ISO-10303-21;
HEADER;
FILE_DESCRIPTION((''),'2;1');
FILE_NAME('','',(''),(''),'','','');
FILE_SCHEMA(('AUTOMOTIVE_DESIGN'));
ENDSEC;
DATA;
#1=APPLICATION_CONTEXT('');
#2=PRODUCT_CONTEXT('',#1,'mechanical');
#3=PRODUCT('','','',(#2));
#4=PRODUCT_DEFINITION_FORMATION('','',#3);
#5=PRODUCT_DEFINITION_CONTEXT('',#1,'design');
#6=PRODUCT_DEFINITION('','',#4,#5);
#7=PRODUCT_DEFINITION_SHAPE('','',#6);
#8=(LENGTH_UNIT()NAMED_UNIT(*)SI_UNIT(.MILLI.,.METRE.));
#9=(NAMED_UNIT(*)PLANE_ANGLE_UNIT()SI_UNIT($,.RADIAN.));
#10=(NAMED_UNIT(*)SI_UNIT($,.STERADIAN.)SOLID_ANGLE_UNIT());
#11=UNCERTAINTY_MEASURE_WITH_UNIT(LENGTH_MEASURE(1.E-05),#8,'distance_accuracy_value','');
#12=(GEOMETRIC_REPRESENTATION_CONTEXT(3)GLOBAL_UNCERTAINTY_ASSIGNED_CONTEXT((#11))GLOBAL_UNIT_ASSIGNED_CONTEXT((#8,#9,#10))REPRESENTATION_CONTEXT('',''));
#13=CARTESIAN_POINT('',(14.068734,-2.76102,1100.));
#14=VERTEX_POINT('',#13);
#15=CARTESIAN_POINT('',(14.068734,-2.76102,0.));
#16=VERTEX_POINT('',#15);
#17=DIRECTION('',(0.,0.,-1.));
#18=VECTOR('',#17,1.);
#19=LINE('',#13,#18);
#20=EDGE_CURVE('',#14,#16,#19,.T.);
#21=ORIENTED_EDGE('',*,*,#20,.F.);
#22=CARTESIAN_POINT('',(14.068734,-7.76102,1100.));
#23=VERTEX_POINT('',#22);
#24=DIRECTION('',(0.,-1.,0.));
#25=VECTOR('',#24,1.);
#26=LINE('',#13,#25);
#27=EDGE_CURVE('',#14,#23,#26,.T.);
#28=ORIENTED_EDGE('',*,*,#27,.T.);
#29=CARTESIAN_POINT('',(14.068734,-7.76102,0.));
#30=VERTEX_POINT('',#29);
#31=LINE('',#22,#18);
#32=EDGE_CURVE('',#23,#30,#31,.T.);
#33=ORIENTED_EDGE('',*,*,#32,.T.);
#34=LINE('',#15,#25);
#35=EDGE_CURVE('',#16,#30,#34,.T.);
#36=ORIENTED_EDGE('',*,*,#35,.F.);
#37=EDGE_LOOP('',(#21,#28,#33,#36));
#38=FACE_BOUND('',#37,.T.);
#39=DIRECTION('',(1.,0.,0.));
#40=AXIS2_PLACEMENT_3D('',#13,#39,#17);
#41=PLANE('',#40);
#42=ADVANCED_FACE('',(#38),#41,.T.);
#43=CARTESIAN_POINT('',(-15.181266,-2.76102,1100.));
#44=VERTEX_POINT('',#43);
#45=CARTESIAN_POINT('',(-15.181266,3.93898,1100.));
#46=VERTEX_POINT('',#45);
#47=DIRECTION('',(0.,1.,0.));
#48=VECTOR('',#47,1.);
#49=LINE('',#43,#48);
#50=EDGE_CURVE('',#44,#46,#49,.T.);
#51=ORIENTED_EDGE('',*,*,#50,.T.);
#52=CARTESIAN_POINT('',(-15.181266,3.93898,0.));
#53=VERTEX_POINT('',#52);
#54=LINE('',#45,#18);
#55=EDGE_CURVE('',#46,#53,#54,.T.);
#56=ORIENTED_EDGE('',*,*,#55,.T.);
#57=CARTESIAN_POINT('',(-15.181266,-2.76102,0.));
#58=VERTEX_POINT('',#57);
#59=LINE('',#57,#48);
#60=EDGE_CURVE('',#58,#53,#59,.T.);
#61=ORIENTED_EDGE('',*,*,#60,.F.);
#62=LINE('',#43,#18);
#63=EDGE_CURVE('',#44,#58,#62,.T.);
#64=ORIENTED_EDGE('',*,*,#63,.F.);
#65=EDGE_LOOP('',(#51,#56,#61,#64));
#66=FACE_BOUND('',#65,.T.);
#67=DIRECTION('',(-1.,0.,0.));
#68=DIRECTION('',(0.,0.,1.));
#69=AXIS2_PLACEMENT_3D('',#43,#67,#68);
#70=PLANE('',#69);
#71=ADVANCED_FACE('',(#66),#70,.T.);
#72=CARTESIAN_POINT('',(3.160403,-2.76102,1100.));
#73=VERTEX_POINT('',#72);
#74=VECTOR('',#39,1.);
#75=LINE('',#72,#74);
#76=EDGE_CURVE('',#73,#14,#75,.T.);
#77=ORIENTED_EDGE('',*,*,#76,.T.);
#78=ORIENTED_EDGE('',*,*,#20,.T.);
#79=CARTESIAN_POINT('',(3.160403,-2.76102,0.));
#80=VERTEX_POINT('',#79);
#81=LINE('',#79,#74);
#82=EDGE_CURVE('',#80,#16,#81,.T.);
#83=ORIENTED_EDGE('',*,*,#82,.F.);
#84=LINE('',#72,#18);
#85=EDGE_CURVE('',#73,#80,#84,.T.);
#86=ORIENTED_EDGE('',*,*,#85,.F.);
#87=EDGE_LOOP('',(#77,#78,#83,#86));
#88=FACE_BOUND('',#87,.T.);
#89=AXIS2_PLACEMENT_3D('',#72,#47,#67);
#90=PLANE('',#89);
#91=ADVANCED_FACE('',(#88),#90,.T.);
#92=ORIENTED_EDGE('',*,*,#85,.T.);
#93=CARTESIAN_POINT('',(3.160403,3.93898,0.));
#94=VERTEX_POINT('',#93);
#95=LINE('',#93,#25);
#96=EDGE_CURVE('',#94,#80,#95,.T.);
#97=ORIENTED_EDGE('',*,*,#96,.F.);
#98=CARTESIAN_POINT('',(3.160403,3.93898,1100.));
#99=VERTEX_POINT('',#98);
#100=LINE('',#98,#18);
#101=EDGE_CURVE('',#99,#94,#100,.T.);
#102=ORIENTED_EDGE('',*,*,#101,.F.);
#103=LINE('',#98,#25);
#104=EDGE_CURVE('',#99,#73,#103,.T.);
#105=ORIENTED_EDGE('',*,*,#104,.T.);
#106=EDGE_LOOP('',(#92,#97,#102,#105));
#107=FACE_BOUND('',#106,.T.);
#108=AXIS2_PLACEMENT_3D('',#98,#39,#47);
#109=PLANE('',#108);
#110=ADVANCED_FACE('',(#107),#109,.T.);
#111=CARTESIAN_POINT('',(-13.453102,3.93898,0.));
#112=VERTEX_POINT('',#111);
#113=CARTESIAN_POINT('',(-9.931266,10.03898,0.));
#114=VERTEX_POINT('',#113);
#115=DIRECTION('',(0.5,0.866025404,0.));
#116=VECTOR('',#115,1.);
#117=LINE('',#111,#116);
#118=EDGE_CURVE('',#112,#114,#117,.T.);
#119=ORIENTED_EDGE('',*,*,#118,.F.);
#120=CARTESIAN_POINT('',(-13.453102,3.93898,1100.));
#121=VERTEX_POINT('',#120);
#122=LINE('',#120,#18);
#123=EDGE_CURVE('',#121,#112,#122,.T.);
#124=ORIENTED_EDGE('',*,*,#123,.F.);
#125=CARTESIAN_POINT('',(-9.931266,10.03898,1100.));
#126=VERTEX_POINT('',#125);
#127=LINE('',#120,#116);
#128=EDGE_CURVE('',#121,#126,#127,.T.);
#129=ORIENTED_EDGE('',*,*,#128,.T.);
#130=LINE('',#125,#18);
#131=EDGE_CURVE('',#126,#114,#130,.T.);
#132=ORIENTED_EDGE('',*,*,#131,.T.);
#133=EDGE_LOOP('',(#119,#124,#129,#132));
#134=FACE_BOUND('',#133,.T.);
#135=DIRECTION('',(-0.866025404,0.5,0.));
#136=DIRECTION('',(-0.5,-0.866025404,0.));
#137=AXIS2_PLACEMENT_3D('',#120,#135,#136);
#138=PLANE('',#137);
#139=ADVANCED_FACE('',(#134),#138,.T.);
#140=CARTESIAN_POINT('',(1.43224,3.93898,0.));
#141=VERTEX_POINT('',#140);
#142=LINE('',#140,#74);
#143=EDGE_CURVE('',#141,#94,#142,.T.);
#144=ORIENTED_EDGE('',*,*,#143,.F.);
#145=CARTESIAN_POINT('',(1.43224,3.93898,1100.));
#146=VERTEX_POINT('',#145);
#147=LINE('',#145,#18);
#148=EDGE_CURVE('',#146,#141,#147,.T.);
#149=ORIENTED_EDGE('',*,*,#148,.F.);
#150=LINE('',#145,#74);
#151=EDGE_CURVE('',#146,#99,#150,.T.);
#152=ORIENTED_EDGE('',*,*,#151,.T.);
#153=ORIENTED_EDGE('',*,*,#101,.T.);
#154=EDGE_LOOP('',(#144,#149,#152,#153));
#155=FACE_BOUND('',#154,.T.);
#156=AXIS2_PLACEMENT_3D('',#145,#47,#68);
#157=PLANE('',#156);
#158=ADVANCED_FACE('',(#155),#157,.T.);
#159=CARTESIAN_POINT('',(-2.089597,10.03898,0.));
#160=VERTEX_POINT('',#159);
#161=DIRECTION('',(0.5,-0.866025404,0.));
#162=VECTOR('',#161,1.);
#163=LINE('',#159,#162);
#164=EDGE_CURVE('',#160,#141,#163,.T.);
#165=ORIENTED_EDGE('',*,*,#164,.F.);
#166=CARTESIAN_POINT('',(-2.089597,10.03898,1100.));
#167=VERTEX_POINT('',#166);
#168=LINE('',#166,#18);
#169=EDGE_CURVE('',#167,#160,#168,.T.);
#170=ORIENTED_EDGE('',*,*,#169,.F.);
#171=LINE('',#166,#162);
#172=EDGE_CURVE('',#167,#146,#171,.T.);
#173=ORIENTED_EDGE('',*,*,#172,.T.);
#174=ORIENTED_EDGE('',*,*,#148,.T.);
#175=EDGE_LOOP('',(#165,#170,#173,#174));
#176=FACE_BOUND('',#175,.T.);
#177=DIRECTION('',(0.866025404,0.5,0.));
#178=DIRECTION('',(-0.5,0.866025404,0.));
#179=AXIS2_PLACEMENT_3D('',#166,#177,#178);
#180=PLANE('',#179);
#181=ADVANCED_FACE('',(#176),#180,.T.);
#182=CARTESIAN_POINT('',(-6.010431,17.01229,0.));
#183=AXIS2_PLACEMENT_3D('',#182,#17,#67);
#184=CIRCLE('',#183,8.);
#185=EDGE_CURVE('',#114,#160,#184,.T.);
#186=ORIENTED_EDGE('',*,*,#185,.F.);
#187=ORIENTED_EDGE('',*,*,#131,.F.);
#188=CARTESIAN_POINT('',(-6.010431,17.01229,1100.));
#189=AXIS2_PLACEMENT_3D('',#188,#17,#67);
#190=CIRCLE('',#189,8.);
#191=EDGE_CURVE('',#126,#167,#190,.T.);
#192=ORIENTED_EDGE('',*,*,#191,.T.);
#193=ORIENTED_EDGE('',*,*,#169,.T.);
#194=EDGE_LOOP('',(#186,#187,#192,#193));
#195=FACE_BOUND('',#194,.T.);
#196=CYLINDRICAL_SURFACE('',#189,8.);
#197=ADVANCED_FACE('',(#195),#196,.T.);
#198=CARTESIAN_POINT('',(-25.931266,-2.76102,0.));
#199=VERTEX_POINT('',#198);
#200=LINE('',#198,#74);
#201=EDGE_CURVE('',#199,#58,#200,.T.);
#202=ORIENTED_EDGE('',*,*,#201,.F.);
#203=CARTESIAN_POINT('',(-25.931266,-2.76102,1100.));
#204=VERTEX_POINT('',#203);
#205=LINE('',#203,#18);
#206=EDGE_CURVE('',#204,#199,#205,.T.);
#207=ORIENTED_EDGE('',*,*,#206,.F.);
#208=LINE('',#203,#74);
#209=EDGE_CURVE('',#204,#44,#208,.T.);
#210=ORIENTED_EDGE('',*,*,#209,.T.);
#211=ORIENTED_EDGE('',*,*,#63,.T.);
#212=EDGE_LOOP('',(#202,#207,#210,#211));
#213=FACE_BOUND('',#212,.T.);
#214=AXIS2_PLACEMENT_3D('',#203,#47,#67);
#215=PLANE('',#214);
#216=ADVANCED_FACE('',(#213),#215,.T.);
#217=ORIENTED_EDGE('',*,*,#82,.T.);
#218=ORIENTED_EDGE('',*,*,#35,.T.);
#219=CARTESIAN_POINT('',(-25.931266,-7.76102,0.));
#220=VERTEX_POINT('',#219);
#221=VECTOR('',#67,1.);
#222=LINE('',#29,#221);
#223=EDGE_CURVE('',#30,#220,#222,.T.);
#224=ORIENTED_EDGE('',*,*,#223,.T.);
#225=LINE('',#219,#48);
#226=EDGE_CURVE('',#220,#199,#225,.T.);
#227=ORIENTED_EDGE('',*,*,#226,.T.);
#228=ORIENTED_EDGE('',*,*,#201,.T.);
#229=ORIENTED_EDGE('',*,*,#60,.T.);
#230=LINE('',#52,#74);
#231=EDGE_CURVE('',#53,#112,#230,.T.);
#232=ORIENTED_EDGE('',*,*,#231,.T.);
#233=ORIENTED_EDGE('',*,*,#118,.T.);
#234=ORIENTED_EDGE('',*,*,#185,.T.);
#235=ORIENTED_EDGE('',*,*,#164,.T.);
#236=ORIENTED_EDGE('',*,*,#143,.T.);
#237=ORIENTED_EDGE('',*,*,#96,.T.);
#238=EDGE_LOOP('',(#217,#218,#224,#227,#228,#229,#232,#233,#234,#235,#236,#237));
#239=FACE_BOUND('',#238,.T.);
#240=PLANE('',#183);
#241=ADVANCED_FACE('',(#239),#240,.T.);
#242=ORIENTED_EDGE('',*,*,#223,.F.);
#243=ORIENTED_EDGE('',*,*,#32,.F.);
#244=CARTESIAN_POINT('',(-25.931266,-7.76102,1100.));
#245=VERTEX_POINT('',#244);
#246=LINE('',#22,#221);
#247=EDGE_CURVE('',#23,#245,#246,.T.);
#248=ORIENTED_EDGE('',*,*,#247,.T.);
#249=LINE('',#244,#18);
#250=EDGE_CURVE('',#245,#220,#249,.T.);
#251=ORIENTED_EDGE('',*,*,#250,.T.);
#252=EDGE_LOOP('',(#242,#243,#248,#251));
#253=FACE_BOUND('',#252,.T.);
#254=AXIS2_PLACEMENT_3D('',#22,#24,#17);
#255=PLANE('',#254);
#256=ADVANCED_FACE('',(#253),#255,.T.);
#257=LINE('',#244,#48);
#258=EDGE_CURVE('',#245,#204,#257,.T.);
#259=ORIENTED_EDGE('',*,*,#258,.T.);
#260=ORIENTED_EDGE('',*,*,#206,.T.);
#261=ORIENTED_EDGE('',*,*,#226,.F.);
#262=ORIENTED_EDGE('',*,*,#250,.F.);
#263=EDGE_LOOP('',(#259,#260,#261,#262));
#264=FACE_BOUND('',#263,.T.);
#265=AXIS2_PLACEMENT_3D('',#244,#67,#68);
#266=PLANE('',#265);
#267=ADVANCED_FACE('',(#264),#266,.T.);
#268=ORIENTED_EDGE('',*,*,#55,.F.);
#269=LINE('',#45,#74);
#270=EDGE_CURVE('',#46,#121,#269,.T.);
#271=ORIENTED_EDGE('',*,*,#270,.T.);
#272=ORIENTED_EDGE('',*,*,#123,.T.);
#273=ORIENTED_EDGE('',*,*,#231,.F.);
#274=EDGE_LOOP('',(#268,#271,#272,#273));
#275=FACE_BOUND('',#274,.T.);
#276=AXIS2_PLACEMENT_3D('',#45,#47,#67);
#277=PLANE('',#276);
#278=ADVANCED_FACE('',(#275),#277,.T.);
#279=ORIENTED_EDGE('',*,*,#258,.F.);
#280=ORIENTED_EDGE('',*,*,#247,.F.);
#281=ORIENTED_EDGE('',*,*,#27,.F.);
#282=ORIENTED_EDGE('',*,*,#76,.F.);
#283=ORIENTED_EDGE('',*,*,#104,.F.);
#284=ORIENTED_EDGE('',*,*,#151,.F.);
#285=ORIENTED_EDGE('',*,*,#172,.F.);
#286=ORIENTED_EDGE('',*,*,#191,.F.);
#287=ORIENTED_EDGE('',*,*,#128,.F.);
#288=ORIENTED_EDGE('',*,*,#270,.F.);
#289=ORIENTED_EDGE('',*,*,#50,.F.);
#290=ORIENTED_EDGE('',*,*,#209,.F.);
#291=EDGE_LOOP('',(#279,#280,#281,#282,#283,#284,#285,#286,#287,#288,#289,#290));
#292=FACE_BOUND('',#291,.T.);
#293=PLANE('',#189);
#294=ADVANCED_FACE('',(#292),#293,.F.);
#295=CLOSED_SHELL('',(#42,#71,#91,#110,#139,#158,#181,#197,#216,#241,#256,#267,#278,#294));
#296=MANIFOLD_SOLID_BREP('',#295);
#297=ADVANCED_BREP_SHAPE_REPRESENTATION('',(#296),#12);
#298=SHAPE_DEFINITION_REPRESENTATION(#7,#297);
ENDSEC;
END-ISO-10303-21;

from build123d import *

# Parameters (mm, degrees)
BOSS_EXTRU_1_DEPTH = 1100


with BuildPart() as part:
    # Esquisse1 → Boss.-Extru.1 (new body)
    with BuildSketch(Plane.XY):
        with BuildLine():
            Line((-25.931265673, -2.76101993), (-15.181265673, -2.76101993))
            Line((-15.181265673, -2.76101993), (-15.181265673, 3.93898007))
            Line((-15.181265673, 3.93898007), (-13.453102315, 3.93898007))
            Line((-13.453102315, 3.93898007), (-9.931265673, 10.03898007))
            ThreePointArc((-9.931265673, 10.03898007), (-6.010431334, 25.012290482), (-2.089596996, 10.03898007))
            Line((-2.089596996, 10.03898007), (1.432239646, 3.93898007))
            Line((1.432239646, 3.93898007), (3.160403004, 3.93898007))
            Line((3.160403004, 3.93898007), (3.160403004, -2.76101993))
            Line((3.160403004, -2.76101993), (14.068734327, -2.76101993))
            Line((14.068734327, -2.76101993), (14.068734327, -7.76101993))
            Line((14.068734327, -7.76101993), (-25.931265673, -7.76101993))
            Line((-25.931265673, -7.76101993), (-25.931265673, -2.76101993))
        make_face()
    extrude(amount=BOSS_EXTRU_1_DEPTH)


solid = part.part
